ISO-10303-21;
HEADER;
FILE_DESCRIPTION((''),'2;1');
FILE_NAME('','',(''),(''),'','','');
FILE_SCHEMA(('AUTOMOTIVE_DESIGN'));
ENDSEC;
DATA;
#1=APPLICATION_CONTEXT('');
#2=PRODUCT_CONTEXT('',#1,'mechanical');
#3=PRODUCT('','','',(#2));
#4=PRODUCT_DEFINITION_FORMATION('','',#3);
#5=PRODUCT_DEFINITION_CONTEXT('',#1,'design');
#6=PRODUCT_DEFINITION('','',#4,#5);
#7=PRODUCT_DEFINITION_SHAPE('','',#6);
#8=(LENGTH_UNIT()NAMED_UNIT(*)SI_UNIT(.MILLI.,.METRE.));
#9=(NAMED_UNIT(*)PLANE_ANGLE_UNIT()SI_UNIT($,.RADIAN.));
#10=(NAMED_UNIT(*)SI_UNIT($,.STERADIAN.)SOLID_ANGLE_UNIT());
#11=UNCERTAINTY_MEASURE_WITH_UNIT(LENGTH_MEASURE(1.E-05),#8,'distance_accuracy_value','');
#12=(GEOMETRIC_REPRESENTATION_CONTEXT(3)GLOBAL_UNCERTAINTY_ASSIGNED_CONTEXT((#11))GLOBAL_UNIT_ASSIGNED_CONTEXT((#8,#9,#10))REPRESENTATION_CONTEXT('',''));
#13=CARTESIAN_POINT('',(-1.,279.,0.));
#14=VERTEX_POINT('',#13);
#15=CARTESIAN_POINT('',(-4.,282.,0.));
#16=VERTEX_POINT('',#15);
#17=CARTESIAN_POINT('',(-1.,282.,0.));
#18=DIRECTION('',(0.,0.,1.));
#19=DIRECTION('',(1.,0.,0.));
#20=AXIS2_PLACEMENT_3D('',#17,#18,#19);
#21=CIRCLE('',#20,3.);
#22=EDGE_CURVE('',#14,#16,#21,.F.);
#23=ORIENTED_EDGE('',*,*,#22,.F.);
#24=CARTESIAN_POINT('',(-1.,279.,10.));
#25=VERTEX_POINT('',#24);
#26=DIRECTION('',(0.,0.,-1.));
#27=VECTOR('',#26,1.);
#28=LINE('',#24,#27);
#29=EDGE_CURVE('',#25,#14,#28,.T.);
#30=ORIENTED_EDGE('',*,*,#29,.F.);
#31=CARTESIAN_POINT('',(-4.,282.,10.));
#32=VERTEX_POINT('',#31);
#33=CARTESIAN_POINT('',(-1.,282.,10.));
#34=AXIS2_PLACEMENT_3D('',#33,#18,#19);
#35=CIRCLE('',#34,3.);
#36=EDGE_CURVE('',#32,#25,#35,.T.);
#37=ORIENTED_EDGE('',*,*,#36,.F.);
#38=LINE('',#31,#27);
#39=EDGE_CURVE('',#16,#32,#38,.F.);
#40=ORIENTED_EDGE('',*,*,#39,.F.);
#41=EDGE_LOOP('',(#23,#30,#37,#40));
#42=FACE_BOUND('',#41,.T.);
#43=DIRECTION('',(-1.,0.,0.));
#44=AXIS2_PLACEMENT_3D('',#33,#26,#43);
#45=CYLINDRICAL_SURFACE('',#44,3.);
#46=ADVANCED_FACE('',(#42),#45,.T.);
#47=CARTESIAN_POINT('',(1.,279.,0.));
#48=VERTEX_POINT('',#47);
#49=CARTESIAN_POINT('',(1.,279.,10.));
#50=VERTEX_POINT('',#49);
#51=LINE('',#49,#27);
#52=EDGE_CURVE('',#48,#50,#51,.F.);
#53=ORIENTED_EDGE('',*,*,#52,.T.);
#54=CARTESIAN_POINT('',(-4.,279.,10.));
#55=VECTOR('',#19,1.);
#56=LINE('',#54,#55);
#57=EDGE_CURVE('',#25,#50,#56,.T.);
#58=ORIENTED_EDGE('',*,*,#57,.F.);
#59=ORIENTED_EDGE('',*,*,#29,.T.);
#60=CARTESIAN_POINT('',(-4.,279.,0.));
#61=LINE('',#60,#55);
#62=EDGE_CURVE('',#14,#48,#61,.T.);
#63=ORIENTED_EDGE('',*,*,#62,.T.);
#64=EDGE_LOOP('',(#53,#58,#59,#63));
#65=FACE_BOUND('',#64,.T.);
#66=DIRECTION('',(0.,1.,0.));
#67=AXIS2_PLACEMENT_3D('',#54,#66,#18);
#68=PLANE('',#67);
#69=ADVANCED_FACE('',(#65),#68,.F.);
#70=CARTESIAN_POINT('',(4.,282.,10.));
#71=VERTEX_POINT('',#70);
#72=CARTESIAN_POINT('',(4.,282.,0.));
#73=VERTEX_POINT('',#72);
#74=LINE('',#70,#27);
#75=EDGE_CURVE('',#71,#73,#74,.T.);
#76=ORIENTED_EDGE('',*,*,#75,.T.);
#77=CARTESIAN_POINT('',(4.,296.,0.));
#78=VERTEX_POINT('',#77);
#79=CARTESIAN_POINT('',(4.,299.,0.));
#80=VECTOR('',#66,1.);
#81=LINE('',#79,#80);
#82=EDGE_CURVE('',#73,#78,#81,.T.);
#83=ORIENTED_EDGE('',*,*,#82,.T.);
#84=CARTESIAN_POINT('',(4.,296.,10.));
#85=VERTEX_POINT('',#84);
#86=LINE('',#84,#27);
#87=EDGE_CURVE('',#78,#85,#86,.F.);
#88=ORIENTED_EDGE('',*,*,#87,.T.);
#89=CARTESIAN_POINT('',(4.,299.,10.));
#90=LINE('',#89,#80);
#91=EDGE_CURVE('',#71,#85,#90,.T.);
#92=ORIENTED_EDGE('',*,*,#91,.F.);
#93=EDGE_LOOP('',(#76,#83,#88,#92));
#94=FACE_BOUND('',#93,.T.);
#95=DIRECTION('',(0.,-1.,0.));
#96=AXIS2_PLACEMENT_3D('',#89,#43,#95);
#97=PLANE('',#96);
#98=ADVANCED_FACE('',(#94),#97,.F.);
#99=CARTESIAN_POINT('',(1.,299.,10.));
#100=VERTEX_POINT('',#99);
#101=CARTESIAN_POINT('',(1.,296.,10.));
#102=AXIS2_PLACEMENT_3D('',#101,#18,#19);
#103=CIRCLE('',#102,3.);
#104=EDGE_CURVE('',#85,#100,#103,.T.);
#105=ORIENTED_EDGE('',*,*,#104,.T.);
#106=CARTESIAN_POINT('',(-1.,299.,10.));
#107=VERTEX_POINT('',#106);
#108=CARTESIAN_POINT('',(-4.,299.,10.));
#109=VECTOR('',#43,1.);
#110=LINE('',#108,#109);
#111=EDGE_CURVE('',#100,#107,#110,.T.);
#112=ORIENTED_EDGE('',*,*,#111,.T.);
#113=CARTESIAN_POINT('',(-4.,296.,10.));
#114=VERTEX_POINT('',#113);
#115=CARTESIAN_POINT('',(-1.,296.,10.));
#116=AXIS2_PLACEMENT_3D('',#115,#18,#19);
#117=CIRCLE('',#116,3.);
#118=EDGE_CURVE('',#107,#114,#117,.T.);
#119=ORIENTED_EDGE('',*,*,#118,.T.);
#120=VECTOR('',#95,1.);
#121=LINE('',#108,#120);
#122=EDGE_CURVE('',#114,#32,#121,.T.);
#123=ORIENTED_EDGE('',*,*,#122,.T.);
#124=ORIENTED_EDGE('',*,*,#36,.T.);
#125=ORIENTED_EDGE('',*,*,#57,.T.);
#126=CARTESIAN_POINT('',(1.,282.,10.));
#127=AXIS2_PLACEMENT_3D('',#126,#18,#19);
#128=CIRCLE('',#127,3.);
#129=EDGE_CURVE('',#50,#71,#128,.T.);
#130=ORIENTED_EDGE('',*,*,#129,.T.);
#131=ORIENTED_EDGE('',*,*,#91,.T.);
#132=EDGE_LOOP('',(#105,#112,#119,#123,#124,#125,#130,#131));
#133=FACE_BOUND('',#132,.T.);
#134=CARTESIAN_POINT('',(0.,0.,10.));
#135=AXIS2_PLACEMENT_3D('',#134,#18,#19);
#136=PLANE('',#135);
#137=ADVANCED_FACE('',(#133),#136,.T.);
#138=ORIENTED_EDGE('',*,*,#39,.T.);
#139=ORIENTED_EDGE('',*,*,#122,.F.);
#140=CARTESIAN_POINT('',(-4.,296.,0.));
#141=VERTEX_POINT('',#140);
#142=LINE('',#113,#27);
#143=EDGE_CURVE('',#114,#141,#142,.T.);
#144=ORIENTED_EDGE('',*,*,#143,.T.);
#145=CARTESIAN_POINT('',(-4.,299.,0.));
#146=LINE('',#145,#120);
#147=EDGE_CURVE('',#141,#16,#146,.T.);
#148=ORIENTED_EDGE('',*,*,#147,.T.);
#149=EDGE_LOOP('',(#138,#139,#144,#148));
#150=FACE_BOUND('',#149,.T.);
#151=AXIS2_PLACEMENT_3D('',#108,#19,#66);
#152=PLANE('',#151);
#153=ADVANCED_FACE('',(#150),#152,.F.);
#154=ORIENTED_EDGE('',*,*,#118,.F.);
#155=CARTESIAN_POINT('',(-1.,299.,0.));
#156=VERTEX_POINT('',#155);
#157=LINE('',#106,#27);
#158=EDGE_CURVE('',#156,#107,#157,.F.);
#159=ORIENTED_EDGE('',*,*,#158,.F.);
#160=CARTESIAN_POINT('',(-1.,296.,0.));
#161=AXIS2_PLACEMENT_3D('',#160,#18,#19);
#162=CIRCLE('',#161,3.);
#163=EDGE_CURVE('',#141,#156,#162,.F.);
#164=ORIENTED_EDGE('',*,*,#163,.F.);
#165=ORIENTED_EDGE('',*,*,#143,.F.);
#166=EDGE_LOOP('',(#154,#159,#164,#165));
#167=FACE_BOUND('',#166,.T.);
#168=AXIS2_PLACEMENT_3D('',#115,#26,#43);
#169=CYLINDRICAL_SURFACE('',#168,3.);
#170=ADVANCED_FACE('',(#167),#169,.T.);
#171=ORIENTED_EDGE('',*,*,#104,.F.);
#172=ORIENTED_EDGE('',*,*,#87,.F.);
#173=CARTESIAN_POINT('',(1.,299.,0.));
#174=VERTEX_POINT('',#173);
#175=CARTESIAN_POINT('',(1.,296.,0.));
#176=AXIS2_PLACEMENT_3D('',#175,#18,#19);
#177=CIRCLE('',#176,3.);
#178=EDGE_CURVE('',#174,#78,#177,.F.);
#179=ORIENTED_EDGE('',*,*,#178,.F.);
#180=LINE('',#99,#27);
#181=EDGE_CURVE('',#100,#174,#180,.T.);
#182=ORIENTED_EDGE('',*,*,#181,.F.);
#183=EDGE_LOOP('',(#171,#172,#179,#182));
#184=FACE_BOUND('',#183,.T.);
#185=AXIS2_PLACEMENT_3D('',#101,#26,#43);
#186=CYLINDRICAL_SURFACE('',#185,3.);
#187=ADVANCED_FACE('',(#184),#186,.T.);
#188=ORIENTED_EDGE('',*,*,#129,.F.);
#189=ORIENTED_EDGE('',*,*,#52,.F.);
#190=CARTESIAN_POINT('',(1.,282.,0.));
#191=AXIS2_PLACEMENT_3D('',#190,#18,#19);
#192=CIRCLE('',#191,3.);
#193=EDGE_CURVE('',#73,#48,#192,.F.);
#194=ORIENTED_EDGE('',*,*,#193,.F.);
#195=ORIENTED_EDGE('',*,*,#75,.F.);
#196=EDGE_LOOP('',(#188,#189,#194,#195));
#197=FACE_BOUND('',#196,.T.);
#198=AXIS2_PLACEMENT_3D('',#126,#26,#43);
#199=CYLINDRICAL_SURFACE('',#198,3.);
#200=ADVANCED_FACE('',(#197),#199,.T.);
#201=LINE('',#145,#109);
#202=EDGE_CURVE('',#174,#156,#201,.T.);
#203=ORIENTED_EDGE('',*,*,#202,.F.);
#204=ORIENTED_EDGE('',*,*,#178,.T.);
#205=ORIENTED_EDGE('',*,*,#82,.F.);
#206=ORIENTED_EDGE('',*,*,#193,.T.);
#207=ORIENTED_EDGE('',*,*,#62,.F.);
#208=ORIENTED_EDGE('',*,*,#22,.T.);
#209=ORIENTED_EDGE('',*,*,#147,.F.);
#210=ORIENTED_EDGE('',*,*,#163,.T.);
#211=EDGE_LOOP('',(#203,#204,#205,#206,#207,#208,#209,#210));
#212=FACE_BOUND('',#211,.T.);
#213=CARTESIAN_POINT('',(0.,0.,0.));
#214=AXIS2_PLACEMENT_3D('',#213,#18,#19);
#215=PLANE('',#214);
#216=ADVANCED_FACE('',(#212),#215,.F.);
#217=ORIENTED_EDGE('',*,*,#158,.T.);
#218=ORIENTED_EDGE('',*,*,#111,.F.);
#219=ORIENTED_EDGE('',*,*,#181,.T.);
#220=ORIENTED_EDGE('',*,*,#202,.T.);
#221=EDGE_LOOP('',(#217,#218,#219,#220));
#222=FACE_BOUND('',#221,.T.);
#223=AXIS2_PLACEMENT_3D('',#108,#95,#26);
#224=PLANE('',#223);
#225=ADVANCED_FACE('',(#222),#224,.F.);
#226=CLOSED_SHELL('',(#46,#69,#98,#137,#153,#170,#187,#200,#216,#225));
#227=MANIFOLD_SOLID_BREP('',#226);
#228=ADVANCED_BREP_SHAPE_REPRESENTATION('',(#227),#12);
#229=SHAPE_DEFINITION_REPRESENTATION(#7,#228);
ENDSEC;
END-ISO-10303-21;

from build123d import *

# Parameters (mm, degrees)
SKETCH1_W           = 8
SKETCH1_H           = 20
BOSS_EXTRUDE1_DEPTH = 10
FILLET1_R           = 3


with BuildPart() as part:
    # Sketch1 → Boss-Extrude1 (new body)
    with BuildSketch(Plane.XY):
        with Locations((0, 289)):
            Rectangle(SKETCH1_W, SKETCH1_H)
    extrude(amount=BOSS_EXTRUDE1_DEPTH)

    # Fillet1
    fillet1_edges = [part.edges().sort_by_distance(p)[0] for p in [
        (-4, 299, 5),
        (4, 299, 5),
        (4, 279, 5),
        (-4, 279, 5),
    ]]
    fillet(fillet1_edges, radius=FILLET1_R)


solid = part.part
